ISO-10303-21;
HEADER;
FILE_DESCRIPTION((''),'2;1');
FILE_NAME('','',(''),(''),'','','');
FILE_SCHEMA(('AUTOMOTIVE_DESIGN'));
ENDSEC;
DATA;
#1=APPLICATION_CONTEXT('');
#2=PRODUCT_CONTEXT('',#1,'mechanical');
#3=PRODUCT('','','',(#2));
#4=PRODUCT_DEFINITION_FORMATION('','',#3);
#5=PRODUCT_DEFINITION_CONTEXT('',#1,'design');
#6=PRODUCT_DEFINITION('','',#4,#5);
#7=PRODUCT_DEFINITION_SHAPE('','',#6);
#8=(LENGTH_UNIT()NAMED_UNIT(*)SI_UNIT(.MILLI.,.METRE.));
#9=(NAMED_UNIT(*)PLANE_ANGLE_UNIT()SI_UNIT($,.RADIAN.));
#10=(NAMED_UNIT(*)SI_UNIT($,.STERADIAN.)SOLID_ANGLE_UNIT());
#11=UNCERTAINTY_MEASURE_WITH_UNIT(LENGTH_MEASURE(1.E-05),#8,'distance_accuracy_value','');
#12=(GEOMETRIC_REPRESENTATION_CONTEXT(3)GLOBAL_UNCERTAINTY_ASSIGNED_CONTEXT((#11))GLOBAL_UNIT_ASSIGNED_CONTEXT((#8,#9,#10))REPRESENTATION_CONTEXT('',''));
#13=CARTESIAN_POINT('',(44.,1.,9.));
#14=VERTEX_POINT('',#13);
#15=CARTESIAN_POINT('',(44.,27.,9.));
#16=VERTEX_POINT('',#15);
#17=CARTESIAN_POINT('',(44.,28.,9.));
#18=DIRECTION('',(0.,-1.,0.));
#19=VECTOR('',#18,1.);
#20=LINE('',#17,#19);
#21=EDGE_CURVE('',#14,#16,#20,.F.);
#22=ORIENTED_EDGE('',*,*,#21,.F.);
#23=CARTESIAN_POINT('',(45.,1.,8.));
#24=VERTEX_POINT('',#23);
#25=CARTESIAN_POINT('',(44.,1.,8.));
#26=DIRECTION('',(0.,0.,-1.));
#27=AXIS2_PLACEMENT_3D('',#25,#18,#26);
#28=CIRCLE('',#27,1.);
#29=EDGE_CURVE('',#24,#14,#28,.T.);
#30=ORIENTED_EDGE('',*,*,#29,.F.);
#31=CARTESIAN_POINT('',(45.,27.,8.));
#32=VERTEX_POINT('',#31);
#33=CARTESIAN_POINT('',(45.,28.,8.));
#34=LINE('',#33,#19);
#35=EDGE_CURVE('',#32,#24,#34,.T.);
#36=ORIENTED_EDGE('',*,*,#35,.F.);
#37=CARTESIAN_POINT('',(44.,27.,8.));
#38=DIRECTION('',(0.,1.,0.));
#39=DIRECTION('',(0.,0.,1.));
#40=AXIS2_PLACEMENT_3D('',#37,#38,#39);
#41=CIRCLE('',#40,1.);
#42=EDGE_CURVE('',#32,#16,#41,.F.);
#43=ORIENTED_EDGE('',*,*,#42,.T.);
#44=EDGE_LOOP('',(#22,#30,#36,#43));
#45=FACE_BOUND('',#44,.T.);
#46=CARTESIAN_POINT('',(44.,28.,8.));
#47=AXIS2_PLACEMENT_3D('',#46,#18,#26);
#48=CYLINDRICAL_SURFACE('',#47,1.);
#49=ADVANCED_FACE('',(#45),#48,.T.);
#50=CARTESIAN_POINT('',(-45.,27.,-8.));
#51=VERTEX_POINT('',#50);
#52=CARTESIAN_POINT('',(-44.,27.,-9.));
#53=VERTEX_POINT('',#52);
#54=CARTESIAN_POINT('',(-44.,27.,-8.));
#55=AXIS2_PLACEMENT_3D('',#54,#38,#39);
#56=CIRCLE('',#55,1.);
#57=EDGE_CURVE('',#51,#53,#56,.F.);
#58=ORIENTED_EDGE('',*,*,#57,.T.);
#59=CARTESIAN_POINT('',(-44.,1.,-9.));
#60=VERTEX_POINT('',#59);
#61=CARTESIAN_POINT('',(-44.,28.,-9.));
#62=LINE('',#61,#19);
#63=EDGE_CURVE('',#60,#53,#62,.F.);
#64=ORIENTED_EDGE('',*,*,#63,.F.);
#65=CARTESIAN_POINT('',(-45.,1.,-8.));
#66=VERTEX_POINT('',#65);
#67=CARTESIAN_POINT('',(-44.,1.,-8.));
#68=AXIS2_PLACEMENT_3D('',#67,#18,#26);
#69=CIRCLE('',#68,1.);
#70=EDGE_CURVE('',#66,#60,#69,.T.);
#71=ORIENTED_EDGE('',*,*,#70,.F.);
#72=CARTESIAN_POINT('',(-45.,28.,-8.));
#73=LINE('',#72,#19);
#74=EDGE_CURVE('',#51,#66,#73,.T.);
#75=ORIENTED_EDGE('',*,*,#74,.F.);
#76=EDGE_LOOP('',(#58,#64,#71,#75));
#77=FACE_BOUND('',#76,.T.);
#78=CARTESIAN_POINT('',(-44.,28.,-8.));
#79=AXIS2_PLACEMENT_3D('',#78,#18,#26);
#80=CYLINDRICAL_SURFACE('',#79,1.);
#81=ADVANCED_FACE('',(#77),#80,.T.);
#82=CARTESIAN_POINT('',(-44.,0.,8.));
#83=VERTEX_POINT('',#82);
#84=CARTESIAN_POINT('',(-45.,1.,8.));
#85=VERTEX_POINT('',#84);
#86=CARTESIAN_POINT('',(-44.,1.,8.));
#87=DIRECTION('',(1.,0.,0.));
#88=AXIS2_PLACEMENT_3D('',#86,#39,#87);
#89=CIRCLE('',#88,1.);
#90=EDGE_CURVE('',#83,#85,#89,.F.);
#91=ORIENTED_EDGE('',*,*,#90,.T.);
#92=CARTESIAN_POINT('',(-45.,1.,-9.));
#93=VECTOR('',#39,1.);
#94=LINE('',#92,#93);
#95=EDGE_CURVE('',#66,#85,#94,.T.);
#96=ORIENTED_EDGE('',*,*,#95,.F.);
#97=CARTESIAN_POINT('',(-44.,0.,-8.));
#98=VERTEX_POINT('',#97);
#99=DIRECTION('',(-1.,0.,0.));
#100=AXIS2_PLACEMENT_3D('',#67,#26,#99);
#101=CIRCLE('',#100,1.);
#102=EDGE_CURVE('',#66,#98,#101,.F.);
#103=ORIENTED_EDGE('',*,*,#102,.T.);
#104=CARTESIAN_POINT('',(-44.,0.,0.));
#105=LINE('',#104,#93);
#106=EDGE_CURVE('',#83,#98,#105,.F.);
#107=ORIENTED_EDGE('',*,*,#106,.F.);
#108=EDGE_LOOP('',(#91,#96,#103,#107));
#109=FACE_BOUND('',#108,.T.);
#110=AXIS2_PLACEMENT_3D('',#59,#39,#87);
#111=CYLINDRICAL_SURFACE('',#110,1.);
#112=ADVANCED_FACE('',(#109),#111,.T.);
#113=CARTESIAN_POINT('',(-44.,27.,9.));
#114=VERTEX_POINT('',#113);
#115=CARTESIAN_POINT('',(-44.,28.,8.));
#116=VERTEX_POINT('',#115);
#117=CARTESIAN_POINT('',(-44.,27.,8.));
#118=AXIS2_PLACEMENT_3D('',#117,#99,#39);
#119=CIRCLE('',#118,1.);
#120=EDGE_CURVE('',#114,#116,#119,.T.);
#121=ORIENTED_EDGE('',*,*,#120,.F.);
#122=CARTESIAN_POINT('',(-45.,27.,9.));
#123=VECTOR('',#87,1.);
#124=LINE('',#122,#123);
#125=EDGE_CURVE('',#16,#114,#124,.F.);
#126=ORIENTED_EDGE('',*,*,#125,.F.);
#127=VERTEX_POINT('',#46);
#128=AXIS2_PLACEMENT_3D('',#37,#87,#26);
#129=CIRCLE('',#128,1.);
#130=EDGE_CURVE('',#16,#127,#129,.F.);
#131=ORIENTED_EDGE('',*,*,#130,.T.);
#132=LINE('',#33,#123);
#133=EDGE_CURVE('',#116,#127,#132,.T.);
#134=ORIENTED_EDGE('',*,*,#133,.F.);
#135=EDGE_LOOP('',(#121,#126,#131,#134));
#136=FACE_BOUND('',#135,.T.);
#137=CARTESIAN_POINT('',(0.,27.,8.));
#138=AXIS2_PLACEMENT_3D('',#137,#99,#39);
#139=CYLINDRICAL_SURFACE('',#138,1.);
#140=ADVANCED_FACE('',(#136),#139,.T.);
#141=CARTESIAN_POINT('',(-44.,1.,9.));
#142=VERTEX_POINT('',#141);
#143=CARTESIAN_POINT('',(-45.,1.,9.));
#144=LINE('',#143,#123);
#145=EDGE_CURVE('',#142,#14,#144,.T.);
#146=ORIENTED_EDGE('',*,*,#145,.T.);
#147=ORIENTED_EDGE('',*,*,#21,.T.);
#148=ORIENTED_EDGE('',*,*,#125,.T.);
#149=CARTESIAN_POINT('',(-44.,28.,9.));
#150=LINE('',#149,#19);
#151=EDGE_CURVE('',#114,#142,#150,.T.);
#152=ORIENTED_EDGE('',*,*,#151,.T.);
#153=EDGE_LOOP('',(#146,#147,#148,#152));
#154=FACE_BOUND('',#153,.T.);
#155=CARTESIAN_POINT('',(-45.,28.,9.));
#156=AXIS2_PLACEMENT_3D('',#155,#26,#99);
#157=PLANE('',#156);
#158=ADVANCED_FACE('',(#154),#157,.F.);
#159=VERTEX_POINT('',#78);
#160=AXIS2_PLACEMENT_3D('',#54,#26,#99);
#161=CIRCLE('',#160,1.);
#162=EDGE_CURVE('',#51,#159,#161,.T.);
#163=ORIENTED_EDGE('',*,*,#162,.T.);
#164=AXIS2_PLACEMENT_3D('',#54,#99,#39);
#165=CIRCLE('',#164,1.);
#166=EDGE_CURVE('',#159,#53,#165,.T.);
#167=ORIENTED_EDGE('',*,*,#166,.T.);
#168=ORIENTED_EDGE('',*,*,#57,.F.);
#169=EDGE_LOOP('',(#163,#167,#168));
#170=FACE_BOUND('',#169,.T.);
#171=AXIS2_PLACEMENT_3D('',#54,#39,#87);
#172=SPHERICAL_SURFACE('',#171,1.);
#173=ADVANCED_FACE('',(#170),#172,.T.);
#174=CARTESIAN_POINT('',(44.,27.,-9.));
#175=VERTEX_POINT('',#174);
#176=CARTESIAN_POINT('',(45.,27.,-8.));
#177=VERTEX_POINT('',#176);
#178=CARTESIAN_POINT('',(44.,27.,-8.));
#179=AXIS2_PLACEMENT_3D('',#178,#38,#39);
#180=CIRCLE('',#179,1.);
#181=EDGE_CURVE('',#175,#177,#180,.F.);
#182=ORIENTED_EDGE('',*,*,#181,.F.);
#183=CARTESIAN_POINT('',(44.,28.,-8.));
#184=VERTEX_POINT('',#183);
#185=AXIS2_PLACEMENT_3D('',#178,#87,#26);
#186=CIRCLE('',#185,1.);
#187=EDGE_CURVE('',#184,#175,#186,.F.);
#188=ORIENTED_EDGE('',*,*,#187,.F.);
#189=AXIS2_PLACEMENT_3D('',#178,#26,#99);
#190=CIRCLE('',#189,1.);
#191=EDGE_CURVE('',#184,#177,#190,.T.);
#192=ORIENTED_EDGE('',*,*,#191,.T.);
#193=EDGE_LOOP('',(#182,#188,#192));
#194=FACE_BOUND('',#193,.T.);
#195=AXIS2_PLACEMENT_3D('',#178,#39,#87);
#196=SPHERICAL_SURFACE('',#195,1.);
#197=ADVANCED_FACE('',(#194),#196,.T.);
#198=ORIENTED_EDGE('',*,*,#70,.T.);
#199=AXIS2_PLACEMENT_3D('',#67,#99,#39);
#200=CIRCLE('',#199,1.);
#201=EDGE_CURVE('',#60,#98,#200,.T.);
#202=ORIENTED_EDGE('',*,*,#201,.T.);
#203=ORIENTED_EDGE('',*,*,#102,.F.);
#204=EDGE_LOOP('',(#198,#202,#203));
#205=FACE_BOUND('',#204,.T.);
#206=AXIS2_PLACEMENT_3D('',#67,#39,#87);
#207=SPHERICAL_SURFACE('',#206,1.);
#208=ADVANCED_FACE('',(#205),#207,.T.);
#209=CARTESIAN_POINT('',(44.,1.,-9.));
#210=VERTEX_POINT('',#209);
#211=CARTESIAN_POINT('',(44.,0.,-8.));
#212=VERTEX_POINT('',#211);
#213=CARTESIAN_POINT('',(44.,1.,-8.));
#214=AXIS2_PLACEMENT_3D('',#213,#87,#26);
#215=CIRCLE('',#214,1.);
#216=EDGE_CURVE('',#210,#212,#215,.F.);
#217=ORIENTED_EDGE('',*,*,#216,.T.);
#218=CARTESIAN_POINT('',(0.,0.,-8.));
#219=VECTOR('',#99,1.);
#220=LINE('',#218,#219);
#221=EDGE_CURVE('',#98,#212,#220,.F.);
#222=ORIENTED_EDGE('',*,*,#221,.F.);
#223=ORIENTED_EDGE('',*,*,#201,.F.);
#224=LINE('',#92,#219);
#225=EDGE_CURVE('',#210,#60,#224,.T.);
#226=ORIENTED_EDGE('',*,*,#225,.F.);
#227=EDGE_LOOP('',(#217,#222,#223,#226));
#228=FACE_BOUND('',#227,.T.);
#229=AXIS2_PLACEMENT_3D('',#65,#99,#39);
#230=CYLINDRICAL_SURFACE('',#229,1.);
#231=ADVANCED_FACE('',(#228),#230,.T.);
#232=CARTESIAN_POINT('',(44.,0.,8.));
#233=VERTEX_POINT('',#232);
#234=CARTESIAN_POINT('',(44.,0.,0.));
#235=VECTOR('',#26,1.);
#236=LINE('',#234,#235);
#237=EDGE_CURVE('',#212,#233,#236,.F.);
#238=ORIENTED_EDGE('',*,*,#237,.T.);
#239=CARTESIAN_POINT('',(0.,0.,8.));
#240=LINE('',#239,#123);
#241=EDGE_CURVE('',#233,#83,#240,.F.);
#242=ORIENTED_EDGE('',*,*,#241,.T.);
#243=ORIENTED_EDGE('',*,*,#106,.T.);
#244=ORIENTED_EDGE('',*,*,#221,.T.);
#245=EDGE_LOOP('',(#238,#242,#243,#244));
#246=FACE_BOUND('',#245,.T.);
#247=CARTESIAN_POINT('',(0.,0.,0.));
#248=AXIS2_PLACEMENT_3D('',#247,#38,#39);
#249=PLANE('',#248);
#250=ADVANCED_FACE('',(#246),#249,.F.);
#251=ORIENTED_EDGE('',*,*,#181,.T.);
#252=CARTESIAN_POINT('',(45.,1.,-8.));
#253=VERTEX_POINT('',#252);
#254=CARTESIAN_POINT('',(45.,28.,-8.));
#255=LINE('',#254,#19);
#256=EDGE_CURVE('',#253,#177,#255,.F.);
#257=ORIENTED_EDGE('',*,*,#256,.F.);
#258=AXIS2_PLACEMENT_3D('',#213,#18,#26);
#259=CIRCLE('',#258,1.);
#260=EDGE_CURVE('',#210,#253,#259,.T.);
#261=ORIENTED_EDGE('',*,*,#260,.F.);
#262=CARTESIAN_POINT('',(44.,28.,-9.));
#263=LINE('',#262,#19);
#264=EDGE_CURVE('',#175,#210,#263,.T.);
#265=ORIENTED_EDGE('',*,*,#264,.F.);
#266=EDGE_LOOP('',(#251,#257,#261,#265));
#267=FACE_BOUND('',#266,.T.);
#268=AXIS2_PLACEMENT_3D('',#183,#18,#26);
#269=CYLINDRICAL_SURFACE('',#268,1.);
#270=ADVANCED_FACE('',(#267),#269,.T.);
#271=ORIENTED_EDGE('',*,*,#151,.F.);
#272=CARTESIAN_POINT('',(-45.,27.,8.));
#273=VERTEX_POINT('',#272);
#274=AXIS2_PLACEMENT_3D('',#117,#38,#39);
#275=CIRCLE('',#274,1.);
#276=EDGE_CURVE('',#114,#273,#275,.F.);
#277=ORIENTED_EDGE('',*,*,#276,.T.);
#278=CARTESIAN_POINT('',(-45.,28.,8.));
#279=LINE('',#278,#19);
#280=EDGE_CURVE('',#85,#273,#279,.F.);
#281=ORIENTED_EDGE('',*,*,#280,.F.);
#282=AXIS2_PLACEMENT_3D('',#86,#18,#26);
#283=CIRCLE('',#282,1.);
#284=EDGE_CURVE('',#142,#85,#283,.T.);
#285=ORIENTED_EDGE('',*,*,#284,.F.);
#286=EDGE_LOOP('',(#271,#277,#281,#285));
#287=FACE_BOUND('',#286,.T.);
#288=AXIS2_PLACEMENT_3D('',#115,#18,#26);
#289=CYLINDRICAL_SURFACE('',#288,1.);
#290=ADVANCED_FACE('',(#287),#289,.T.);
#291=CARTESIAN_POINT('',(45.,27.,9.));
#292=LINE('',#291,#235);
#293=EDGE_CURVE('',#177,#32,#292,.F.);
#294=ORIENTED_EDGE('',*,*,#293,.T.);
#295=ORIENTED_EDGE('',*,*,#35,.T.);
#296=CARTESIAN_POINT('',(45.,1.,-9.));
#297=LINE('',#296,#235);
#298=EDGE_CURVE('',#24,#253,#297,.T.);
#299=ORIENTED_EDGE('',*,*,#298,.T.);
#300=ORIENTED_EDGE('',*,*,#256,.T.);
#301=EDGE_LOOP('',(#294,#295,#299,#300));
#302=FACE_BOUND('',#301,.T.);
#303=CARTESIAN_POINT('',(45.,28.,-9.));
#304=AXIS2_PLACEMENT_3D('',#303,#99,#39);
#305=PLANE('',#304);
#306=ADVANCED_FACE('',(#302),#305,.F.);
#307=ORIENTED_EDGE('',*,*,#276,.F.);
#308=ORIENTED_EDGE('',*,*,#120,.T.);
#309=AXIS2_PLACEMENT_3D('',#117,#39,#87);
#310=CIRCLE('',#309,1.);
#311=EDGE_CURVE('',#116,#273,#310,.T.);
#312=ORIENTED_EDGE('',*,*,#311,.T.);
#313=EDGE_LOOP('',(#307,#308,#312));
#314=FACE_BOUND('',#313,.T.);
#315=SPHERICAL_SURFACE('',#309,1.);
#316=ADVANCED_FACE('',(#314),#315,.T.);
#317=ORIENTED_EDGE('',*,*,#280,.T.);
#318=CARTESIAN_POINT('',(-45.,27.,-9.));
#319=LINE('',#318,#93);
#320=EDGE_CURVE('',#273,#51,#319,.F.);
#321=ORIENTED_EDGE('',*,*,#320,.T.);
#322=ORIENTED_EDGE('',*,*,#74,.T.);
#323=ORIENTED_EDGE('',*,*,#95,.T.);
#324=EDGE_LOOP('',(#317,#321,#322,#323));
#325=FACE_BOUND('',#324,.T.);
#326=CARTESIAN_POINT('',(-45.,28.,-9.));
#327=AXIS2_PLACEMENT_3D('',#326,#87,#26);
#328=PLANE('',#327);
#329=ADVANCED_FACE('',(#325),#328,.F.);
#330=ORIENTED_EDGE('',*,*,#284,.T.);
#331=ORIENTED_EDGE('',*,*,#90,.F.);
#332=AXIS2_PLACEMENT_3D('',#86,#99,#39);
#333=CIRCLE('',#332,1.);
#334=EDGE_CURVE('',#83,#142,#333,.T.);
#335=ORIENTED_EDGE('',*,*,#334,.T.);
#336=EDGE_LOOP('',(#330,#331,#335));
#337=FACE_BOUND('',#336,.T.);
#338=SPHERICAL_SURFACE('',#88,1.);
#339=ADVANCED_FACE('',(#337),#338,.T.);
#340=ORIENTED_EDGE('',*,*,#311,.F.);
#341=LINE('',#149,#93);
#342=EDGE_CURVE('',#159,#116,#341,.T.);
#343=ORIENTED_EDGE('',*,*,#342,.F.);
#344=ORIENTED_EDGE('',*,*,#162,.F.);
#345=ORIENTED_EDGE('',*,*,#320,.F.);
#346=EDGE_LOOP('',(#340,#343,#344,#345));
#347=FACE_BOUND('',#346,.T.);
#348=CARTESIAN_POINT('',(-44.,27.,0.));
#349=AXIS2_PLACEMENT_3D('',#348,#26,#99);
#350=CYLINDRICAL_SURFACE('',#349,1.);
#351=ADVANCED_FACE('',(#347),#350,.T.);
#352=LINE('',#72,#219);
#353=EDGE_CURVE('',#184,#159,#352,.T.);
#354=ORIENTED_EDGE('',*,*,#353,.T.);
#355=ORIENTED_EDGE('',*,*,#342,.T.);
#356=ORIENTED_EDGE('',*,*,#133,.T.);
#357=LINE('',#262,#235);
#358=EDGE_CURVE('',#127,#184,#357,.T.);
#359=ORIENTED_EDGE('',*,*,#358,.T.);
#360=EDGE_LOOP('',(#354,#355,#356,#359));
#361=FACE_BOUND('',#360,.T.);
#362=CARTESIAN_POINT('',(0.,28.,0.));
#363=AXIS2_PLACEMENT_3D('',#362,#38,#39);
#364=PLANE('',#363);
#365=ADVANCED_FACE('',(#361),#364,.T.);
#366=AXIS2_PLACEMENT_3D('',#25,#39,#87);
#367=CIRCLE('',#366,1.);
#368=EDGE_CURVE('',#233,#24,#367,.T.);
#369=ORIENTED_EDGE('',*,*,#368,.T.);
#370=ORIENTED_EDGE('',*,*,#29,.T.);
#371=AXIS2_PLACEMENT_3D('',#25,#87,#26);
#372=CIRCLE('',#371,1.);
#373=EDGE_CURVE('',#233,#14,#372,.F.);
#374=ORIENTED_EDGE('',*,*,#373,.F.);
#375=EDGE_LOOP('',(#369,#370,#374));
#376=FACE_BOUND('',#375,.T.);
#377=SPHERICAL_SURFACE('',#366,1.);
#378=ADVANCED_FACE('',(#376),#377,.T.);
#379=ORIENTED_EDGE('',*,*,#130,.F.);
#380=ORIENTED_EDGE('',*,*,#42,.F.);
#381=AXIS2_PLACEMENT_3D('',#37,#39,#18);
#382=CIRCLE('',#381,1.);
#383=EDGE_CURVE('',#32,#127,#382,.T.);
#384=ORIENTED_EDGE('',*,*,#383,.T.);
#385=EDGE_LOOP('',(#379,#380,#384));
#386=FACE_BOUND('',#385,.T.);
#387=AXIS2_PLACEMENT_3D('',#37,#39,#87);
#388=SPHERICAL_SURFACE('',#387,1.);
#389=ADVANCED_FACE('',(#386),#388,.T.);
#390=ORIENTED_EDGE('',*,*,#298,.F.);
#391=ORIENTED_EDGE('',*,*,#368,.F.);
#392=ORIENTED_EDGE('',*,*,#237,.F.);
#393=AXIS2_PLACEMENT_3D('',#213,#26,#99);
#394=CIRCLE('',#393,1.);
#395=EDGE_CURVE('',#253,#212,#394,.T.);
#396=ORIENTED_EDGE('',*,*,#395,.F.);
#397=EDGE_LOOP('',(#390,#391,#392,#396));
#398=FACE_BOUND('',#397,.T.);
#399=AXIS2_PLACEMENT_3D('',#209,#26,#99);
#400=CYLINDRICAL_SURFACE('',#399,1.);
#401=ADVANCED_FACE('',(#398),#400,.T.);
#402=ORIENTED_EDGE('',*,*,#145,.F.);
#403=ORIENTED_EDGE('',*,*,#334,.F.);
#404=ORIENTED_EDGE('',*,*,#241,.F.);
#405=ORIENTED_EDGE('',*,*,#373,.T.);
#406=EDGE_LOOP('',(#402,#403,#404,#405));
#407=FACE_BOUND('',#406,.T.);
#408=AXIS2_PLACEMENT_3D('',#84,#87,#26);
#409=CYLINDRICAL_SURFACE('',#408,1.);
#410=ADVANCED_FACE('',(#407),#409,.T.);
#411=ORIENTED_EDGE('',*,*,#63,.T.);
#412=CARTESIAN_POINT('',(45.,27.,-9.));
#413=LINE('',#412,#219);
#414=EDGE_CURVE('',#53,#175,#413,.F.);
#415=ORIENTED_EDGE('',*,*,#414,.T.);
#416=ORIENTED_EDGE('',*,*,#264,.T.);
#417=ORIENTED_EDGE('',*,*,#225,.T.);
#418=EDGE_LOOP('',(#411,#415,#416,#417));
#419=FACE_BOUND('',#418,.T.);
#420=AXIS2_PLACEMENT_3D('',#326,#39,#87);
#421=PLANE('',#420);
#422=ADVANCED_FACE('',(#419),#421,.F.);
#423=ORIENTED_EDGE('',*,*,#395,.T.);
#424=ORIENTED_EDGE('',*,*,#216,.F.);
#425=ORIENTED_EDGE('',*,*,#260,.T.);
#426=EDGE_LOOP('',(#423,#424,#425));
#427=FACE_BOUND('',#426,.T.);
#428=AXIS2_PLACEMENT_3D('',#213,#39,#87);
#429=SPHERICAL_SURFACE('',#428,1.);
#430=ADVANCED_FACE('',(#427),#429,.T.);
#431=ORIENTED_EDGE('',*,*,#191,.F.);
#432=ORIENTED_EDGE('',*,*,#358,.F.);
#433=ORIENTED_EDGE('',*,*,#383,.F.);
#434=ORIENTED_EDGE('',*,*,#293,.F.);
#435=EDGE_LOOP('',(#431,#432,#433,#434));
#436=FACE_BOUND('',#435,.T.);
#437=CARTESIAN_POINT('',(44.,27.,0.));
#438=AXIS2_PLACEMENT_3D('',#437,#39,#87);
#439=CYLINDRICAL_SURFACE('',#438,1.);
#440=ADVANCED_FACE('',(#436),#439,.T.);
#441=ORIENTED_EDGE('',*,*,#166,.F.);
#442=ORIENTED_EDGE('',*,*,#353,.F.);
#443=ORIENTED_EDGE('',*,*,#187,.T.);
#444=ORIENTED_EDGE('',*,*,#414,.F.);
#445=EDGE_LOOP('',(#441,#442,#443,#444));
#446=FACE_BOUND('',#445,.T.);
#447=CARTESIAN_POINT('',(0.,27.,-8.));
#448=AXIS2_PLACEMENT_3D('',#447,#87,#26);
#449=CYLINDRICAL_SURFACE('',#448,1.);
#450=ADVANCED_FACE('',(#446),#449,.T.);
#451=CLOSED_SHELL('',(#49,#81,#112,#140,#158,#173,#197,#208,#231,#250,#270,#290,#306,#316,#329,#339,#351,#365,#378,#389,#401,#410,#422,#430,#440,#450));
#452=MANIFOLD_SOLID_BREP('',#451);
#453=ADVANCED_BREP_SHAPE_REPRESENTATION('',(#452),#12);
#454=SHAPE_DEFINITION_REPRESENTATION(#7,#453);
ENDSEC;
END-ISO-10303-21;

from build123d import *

# Parameters (mm, degrees)
SCHIZZO1_W                   = 90
SCHIZZO1_H                   = 18
ESTRUSIONE_ESTRUSIONE1_DEPTH = 28
RACCORDO1_R                  = 1


with BuildPart() as part:
    # Schizzo1 → Estrusione-Estrusione1 (new body)
    with BuildSketch(Plane(origin=(0, 0, 0), x_dir=(1, 0, 0), z_dir=(0, 1, 0))):
        Rectangle(SCHIZZO1_W, SCHIZZO1_H)
    extrude(amount=ESTRUSIONE_ESTRUSIONE1_DEPTH)

    # Raccordo1
    raccordo1_edges = [part.edges().sort_by_distance(p)[0] for p in [
        (45, 28, 0),
        (0, 28, -9),
        (-45, 28, 0),
        (0, 0, -9),
        (45, 0, 0),
        (0, 0, 9),
        (-45, 0, 0),
        (-45, 14, -9),
        (45, 14, -9),
        (45, 14, 9),
        (-45, 14, 9),
        (0, 28, 9),
    ]]
    fillet(raccordo1_edges, radius=RACCORDO1_R)


solid = part.part
